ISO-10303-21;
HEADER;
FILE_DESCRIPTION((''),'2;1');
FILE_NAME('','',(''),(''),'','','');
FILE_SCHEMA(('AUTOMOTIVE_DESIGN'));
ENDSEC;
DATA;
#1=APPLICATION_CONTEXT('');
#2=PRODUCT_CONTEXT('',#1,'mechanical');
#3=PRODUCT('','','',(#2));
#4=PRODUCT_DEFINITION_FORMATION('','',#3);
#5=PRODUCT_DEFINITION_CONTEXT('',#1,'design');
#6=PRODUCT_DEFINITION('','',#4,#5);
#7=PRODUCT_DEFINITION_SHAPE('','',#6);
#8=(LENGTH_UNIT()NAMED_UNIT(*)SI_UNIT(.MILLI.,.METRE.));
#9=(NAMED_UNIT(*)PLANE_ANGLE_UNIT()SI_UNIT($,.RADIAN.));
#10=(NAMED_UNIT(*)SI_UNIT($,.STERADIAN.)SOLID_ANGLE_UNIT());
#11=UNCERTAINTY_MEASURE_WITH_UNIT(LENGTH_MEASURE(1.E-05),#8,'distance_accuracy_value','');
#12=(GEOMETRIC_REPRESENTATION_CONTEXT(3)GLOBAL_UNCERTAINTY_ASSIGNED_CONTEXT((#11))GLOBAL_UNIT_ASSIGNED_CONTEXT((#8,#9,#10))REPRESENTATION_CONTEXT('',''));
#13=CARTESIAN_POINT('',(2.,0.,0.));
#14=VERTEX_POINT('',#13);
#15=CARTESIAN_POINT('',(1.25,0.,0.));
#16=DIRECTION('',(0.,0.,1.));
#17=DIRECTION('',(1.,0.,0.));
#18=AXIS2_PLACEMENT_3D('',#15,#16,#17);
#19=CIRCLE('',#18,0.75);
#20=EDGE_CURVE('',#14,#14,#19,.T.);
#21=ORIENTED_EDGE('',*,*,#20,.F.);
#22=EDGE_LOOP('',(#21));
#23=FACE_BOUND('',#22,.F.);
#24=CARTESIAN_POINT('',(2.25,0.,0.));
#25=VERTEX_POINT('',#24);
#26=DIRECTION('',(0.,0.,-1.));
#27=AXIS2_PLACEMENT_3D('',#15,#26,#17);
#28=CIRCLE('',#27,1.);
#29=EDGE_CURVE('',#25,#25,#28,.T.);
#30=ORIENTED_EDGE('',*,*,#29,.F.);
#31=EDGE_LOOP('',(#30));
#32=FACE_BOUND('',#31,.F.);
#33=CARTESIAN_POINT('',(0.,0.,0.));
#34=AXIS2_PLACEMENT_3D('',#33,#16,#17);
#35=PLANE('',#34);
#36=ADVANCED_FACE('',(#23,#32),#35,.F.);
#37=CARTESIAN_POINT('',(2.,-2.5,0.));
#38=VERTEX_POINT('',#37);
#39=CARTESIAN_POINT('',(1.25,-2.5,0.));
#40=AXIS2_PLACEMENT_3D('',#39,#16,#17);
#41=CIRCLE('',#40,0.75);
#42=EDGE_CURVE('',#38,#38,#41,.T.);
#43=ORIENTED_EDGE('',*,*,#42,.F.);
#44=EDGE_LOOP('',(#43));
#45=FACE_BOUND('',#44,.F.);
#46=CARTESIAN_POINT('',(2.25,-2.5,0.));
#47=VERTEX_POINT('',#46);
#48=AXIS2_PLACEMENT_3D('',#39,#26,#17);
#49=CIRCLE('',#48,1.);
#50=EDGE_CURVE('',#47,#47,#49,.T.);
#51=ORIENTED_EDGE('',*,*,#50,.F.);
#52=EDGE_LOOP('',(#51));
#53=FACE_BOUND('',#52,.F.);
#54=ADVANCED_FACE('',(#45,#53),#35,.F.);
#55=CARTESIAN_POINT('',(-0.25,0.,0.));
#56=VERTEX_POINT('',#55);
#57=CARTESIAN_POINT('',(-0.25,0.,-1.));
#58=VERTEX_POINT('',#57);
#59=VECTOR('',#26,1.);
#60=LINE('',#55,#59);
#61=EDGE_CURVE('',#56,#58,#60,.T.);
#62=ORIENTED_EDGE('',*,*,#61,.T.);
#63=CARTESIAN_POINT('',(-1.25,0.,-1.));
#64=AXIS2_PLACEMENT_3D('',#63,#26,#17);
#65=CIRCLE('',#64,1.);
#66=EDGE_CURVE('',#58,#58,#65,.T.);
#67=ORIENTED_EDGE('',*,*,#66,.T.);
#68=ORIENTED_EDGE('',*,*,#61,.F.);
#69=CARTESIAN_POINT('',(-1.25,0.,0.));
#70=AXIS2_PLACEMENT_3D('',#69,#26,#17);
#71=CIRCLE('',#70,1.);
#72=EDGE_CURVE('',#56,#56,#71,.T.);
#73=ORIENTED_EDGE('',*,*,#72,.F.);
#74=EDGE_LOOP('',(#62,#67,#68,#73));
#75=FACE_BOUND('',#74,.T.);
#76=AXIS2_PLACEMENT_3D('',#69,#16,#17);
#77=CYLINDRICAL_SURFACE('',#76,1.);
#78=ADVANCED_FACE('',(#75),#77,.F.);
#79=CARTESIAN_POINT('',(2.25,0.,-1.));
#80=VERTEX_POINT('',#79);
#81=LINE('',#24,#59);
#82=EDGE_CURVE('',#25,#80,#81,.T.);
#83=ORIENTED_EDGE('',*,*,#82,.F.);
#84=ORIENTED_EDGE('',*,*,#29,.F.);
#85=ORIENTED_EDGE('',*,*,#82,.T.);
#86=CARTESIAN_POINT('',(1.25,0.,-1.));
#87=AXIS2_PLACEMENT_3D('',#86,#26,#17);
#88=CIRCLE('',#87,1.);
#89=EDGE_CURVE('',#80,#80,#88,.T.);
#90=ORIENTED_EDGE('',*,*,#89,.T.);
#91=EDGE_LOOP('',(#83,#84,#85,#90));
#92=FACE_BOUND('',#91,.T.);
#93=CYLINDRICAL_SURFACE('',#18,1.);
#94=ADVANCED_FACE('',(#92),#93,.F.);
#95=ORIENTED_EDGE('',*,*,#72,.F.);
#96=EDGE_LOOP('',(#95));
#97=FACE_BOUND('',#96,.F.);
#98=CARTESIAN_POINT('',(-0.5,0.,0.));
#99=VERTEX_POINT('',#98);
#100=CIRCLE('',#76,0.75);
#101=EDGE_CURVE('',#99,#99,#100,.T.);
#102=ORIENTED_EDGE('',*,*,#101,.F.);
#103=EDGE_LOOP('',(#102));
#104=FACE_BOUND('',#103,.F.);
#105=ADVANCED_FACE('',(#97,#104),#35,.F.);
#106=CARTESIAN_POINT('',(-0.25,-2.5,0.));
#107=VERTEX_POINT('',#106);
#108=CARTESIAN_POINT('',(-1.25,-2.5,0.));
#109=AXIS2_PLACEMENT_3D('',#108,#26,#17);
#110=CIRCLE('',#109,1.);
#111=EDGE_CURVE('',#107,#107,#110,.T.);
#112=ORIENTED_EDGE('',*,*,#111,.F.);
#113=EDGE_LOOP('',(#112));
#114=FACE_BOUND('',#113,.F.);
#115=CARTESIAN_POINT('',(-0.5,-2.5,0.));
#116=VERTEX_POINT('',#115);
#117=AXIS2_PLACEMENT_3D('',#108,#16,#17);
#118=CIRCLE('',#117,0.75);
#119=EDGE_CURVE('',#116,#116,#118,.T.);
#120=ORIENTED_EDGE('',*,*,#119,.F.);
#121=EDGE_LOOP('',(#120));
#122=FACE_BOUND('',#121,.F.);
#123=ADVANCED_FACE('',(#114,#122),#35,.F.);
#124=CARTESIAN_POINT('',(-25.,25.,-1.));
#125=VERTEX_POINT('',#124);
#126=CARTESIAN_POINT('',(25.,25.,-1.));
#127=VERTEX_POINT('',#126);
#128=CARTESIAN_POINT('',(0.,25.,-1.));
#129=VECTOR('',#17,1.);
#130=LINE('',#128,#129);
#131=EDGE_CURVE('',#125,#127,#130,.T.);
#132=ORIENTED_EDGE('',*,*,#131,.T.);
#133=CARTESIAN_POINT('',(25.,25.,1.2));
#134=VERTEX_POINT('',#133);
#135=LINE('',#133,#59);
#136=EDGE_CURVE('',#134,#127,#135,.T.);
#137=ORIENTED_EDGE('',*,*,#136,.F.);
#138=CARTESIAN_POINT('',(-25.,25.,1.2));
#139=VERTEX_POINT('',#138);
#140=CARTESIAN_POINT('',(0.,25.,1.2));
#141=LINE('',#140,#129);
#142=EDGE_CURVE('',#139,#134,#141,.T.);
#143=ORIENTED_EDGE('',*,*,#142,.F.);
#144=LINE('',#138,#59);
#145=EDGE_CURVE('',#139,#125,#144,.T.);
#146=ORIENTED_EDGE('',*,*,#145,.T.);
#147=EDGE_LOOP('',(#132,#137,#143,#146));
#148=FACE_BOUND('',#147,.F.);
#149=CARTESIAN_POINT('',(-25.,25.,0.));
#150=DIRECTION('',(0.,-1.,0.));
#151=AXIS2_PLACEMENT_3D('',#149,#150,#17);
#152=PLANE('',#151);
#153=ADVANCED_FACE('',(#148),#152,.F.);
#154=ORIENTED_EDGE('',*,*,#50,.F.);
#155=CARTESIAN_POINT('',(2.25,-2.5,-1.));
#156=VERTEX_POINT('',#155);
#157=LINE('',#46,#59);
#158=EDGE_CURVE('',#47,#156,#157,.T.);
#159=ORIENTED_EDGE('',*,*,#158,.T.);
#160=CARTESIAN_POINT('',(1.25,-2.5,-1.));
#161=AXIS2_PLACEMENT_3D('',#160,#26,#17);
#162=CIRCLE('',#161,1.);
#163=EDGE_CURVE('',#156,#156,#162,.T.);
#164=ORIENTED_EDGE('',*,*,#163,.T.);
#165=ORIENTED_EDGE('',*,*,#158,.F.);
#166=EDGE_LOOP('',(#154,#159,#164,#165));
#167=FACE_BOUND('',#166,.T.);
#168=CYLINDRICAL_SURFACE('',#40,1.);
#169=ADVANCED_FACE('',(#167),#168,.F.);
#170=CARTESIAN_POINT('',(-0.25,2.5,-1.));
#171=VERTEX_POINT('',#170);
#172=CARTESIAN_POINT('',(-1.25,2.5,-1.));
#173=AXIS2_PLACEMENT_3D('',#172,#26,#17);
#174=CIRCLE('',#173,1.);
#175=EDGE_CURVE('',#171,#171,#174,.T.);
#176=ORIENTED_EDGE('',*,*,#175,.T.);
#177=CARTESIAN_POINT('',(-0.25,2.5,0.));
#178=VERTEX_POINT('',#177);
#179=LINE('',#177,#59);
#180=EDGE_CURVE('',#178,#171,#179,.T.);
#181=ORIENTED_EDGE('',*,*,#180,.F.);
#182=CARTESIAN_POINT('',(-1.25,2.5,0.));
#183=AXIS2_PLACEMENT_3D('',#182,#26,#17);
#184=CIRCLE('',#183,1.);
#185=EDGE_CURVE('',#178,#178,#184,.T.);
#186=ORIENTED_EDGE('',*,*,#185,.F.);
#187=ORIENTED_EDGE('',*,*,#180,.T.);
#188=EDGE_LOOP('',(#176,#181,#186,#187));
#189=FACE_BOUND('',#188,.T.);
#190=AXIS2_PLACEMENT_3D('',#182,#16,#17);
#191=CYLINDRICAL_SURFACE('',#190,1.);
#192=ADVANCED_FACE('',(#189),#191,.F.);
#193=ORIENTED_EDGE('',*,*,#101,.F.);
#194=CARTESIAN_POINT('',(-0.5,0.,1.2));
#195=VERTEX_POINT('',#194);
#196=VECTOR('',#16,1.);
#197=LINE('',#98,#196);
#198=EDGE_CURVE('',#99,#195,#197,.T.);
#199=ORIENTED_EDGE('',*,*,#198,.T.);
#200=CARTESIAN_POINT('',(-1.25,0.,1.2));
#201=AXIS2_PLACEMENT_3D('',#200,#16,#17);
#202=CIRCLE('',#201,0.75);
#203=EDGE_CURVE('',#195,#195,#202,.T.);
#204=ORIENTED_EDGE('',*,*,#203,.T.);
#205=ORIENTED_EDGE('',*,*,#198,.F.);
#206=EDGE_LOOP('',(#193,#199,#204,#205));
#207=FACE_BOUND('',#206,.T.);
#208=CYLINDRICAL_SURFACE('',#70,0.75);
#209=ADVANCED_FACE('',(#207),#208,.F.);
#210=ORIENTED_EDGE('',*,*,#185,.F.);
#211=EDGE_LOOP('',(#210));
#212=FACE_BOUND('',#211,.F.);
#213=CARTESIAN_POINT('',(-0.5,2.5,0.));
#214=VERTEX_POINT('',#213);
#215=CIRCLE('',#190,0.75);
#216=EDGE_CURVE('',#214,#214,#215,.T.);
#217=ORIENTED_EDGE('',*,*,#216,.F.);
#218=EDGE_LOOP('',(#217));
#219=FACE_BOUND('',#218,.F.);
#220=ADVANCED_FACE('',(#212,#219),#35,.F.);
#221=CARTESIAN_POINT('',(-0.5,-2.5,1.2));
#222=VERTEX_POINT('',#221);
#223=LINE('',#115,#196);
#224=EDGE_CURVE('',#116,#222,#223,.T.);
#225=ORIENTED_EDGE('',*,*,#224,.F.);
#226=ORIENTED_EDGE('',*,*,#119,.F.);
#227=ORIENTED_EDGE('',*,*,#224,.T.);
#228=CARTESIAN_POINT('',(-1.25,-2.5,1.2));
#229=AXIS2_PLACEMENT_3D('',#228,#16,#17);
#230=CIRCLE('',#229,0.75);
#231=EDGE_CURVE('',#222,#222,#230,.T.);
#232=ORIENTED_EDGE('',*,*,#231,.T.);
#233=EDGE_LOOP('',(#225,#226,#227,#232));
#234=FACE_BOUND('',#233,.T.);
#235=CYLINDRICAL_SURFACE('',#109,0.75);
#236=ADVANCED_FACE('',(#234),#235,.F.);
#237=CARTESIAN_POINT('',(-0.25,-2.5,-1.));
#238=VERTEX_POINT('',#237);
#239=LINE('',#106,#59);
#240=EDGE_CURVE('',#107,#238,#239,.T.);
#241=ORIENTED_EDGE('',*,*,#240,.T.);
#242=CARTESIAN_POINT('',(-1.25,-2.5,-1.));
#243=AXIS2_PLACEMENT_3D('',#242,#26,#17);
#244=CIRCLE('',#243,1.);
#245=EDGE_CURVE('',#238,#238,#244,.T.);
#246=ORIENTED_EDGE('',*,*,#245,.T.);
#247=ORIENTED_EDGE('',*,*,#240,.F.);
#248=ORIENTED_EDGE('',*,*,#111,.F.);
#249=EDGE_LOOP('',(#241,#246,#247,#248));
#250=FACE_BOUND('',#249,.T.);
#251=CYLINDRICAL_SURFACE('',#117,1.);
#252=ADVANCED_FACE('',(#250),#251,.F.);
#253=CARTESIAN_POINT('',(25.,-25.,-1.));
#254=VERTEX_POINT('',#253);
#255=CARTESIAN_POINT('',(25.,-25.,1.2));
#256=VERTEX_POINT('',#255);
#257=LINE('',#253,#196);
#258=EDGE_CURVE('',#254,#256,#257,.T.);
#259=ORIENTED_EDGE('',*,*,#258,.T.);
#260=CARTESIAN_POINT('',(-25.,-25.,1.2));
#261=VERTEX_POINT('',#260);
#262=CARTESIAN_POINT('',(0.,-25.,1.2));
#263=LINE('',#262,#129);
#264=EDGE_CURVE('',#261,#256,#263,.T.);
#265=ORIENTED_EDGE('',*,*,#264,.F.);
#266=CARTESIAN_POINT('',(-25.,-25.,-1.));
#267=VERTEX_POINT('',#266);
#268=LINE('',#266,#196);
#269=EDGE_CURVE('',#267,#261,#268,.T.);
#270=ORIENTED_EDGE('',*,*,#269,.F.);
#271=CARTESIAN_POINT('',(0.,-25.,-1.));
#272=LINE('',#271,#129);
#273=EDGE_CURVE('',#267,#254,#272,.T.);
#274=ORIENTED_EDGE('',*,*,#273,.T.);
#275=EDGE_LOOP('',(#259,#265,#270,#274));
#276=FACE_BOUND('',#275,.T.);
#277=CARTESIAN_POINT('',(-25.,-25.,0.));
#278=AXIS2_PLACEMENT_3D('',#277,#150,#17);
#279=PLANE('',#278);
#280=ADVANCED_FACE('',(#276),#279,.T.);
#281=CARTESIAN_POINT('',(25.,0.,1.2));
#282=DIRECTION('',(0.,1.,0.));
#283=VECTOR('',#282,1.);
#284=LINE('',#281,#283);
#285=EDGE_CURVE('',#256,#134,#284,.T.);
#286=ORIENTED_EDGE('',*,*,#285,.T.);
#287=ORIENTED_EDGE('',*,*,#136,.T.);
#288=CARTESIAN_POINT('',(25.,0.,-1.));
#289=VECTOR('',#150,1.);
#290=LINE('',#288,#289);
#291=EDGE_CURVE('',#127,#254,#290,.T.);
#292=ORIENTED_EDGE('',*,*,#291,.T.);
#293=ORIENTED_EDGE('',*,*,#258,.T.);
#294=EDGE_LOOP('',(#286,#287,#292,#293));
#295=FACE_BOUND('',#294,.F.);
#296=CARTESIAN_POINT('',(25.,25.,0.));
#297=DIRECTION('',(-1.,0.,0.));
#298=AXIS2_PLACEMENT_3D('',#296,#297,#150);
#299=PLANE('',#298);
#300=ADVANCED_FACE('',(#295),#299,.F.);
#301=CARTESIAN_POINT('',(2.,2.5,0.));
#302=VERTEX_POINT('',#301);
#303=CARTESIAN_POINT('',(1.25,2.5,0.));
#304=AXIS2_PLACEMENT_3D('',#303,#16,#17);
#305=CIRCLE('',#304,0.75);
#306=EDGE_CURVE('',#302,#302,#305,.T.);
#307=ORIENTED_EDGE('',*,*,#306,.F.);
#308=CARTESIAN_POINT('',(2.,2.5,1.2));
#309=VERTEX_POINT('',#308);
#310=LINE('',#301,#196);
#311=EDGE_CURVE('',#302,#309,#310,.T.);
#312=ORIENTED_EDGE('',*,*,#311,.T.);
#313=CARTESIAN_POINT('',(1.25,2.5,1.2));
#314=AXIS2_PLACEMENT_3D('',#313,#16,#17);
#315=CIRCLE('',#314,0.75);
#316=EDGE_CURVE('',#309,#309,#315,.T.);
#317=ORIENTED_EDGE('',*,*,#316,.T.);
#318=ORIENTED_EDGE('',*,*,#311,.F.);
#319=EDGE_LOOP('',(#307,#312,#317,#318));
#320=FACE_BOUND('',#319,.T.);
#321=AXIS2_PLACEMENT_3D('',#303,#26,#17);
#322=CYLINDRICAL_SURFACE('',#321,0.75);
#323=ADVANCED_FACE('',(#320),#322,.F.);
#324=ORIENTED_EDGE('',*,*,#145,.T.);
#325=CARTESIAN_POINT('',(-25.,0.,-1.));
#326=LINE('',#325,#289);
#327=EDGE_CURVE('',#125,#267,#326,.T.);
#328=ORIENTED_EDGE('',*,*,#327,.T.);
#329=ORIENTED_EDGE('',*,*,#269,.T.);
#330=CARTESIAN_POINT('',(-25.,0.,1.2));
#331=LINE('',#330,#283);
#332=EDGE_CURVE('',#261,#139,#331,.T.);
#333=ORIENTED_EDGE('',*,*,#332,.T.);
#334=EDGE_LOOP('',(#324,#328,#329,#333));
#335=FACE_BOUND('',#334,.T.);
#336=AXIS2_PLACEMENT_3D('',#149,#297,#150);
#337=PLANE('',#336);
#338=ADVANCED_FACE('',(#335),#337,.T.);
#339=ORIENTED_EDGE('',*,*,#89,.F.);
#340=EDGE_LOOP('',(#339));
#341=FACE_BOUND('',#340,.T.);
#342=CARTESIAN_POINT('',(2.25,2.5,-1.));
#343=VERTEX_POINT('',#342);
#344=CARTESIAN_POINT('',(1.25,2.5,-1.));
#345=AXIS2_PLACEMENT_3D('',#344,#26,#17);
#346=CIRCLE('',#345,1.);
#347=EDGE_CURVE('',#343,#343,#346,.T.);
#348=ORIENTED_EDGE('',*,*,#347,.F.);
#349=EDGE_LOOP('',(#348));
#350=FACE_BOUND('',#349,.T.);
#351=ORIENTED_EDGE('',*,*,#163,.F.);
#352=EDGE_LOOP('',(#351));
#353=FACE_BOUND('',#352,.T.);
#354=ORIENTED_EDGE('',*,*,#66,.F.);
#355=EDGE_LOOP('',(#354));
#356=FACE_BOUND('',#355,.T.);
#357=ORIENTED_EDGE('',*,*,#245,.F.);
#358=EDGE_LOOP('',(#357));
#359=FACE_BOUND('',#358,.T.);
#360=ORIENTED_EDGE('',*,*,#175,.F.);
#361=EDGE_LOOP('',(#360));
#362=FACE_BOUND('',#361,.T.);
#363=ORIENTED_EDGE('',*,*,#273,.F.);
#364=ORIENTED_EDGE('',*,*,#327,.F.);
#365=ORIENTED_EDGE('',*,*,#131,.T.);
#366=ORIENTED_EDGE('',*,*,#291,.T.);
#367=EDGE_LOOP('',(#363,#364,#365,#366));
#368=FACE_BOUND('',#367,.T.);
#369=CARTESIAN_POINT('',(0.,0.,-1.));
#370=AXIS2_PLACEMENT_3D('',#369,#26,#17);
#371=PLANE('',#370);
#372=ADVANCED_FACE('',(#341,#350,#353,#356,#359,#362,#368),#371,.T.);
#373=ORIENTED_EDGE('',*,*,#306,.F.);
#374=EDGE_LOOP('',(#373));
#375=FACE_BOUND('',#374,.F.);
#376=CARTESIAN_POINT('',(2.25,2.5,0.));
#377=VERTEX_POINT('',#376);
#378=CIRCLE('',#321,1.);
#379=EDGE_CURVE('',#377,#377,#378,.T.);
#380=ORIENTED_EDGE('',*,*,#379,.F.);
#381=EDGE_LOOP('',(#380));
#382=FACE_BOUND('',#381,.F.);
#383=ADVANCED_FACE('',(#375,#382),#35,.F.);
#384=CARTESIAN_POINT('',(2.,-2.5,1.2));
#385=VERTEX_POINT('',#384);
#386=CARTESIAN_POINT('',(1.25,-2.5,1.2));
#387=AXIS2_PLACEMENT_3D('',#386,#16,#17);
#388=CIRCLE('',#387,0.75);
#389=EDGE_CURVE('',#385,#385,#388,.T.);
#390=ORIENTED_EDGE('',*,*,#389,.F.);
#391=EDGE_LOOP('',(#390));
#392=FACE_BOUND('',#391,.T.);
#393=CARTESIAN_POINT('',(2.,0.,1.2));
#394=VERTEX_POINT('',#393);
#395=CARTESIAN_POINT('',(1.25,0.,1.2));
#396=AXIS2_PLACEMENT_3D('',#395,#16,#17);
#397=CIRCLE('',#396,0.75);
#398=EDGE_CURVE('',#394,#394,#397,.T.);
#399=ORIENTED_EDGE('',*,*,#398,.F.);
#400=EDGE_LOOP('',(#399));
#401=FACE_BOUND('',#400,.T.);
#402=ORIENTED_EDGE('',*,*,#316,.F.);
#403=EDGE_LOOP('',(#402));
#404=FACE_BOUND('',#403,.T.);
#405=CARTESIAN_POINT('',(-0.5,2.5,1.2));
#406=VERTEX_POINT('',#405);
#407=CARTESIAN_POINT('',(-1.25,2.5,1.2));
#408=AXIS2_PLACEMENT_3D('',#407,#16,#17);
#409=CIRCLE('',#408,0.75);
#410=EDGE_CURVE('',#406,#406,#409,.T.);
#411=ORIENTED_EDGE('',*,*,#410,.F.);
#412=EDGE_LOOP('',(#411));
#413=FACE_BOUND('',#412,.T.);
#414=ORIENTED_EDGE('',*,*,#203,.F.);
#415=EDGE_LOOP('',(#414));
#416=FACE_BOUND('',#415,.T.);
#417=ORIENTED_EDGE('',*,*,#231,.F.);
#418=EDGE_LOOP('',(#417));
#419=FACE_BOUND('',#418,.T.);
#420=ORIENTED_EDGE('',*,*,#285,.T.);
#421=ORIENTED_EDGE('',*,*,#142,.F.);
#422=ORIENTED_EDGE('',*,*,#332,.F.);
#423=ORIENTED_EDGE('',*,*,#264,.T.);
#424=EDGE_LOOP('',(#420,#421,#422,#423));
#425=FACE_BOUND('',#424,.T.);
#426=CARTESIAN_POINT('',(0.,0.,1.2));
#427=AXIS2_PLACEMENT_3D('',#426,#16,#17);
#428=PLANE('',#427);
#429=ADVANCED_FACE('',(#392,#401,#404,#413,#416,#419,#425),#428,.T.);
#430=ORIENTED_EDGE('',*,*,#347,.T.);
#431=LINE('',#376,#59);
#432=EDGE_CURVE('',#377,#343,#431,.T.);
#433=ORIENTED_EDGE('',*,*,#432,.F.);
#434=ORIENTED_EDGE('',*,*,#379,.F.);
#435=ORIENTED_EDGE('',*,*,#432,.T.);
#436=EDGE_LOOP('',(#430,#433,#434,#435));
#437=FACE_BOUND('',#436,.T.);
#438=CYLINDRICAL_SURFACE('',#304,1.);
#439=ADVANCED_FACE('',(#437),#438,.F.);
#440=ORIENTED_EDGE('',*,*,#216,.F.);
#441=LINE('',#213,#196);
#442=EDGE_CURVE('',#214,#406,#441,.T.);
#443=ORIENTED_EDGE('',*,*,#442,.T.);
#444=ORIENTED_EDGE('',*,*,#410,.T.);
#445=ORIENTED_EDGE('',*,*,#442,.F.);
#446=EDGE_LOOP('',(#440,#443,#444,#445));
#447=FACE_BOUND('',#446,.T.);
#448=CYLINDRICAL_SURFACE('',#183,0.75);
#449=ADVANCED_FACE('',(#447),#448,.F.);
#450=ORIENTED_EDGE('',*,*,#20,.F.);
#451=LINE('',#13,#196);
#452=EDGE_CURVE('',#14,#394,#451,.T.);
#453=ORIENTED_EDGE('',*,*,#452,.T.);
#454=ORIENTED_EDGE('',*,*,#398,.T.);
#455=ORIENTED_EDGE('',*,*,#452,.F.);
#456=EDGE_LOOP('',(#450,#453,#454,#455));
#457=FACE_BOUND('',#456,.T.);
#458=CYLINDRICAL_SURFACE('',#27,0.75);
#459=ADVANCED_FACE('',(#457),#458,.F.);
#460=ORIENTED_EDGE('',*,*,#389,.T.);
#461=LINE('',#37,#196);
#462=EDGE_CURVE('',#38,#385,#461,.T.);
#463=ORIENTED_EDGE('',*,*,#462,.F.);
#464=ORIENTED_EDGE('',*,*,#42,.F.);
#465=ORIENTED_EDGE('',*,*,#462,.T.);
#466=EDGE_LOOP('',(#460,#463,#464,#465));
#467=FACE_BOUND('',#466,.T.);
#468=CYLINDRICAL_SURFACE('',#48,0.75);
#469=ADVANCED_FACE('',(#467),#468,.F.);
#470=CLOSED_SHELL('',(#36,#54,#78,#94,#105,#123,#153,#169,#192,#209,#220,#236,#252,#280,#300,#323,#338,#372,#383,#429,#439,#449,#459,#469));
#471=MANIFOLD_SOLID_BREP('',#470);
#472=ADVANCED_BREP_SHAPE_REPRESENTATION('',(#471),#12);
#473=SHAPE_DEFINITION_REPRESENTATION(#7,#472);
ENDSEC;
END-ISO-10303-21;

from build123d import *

# Parameters (mm, degrees)
F0_W     = 50
F0_H     = 50
F0_R     = 0.75
F1_DEPTH = 1.2
F2_W     = 50
F2_H     = 50
F2_R     = 1
F3_DEPTH = 1


with BuildPart() as f1:
    # F0 (on Top) → F1 (new body)
    with BuildSketch(Plane.XY):
        Rectangle(F0_W, F0_H)
        with Locations((-1.25, -2.5)):
            Circle(F0_R, mode=Mode.SUBTRACT)
        with Locations((1.25, -2.5)):
            Circle(F0_R, mode=Mode.SUBTRACT)
        with Locations((-1.25, 0)):
            Circle(F0_R, mode=Mode.SUBTRACT)
        with Locations((-1.25, 2.5)):
            Circle(F0_R, mode=Mode.SUBTRACT)
        with Locations((1.25, 0)):
            Circle(F0_R, mode=Mode.SUBTRACT)
        with Locations((1.25, 2.5)):
            Circle(F0_R, mode=Mode.SUBTRACT)
    extrude(amount=F1_DEPTH)

    # F2 (on face) → F3 (join)
    with BuildSketch(Plane(origin=(0, 0, 0), x_dir=(1, 0, 0), z_dir=(0, 0, -1))):
        Rectangle(F2_W, F2_H)
        with Locations((-1.25, -2.5)):
            Circle(F2_R, mode=Mode.SUBTRACT)
        with Locations((1.25, -2.5)):
            Circle(F2_R, mode=Mode.SUBTRACT)
        with Locations((-1.25, 0)):
            Circle(F2_R, mode=Mode.SUBTRACT)
        with Locations((-1.25, 2.5)):
            Circle(F2_R, mode=Mode.SUBTRACT)
        with Locations((1.25, 0)):
            Circle(F2_R, mode=Mode.SUBTRACT)
        with Locations((1.25, 2.5)):
            Circle(F2_R, mode=Mode.SUBTRACT)
    extrude(amount=F3_DEPTH)


solid = f1.part
